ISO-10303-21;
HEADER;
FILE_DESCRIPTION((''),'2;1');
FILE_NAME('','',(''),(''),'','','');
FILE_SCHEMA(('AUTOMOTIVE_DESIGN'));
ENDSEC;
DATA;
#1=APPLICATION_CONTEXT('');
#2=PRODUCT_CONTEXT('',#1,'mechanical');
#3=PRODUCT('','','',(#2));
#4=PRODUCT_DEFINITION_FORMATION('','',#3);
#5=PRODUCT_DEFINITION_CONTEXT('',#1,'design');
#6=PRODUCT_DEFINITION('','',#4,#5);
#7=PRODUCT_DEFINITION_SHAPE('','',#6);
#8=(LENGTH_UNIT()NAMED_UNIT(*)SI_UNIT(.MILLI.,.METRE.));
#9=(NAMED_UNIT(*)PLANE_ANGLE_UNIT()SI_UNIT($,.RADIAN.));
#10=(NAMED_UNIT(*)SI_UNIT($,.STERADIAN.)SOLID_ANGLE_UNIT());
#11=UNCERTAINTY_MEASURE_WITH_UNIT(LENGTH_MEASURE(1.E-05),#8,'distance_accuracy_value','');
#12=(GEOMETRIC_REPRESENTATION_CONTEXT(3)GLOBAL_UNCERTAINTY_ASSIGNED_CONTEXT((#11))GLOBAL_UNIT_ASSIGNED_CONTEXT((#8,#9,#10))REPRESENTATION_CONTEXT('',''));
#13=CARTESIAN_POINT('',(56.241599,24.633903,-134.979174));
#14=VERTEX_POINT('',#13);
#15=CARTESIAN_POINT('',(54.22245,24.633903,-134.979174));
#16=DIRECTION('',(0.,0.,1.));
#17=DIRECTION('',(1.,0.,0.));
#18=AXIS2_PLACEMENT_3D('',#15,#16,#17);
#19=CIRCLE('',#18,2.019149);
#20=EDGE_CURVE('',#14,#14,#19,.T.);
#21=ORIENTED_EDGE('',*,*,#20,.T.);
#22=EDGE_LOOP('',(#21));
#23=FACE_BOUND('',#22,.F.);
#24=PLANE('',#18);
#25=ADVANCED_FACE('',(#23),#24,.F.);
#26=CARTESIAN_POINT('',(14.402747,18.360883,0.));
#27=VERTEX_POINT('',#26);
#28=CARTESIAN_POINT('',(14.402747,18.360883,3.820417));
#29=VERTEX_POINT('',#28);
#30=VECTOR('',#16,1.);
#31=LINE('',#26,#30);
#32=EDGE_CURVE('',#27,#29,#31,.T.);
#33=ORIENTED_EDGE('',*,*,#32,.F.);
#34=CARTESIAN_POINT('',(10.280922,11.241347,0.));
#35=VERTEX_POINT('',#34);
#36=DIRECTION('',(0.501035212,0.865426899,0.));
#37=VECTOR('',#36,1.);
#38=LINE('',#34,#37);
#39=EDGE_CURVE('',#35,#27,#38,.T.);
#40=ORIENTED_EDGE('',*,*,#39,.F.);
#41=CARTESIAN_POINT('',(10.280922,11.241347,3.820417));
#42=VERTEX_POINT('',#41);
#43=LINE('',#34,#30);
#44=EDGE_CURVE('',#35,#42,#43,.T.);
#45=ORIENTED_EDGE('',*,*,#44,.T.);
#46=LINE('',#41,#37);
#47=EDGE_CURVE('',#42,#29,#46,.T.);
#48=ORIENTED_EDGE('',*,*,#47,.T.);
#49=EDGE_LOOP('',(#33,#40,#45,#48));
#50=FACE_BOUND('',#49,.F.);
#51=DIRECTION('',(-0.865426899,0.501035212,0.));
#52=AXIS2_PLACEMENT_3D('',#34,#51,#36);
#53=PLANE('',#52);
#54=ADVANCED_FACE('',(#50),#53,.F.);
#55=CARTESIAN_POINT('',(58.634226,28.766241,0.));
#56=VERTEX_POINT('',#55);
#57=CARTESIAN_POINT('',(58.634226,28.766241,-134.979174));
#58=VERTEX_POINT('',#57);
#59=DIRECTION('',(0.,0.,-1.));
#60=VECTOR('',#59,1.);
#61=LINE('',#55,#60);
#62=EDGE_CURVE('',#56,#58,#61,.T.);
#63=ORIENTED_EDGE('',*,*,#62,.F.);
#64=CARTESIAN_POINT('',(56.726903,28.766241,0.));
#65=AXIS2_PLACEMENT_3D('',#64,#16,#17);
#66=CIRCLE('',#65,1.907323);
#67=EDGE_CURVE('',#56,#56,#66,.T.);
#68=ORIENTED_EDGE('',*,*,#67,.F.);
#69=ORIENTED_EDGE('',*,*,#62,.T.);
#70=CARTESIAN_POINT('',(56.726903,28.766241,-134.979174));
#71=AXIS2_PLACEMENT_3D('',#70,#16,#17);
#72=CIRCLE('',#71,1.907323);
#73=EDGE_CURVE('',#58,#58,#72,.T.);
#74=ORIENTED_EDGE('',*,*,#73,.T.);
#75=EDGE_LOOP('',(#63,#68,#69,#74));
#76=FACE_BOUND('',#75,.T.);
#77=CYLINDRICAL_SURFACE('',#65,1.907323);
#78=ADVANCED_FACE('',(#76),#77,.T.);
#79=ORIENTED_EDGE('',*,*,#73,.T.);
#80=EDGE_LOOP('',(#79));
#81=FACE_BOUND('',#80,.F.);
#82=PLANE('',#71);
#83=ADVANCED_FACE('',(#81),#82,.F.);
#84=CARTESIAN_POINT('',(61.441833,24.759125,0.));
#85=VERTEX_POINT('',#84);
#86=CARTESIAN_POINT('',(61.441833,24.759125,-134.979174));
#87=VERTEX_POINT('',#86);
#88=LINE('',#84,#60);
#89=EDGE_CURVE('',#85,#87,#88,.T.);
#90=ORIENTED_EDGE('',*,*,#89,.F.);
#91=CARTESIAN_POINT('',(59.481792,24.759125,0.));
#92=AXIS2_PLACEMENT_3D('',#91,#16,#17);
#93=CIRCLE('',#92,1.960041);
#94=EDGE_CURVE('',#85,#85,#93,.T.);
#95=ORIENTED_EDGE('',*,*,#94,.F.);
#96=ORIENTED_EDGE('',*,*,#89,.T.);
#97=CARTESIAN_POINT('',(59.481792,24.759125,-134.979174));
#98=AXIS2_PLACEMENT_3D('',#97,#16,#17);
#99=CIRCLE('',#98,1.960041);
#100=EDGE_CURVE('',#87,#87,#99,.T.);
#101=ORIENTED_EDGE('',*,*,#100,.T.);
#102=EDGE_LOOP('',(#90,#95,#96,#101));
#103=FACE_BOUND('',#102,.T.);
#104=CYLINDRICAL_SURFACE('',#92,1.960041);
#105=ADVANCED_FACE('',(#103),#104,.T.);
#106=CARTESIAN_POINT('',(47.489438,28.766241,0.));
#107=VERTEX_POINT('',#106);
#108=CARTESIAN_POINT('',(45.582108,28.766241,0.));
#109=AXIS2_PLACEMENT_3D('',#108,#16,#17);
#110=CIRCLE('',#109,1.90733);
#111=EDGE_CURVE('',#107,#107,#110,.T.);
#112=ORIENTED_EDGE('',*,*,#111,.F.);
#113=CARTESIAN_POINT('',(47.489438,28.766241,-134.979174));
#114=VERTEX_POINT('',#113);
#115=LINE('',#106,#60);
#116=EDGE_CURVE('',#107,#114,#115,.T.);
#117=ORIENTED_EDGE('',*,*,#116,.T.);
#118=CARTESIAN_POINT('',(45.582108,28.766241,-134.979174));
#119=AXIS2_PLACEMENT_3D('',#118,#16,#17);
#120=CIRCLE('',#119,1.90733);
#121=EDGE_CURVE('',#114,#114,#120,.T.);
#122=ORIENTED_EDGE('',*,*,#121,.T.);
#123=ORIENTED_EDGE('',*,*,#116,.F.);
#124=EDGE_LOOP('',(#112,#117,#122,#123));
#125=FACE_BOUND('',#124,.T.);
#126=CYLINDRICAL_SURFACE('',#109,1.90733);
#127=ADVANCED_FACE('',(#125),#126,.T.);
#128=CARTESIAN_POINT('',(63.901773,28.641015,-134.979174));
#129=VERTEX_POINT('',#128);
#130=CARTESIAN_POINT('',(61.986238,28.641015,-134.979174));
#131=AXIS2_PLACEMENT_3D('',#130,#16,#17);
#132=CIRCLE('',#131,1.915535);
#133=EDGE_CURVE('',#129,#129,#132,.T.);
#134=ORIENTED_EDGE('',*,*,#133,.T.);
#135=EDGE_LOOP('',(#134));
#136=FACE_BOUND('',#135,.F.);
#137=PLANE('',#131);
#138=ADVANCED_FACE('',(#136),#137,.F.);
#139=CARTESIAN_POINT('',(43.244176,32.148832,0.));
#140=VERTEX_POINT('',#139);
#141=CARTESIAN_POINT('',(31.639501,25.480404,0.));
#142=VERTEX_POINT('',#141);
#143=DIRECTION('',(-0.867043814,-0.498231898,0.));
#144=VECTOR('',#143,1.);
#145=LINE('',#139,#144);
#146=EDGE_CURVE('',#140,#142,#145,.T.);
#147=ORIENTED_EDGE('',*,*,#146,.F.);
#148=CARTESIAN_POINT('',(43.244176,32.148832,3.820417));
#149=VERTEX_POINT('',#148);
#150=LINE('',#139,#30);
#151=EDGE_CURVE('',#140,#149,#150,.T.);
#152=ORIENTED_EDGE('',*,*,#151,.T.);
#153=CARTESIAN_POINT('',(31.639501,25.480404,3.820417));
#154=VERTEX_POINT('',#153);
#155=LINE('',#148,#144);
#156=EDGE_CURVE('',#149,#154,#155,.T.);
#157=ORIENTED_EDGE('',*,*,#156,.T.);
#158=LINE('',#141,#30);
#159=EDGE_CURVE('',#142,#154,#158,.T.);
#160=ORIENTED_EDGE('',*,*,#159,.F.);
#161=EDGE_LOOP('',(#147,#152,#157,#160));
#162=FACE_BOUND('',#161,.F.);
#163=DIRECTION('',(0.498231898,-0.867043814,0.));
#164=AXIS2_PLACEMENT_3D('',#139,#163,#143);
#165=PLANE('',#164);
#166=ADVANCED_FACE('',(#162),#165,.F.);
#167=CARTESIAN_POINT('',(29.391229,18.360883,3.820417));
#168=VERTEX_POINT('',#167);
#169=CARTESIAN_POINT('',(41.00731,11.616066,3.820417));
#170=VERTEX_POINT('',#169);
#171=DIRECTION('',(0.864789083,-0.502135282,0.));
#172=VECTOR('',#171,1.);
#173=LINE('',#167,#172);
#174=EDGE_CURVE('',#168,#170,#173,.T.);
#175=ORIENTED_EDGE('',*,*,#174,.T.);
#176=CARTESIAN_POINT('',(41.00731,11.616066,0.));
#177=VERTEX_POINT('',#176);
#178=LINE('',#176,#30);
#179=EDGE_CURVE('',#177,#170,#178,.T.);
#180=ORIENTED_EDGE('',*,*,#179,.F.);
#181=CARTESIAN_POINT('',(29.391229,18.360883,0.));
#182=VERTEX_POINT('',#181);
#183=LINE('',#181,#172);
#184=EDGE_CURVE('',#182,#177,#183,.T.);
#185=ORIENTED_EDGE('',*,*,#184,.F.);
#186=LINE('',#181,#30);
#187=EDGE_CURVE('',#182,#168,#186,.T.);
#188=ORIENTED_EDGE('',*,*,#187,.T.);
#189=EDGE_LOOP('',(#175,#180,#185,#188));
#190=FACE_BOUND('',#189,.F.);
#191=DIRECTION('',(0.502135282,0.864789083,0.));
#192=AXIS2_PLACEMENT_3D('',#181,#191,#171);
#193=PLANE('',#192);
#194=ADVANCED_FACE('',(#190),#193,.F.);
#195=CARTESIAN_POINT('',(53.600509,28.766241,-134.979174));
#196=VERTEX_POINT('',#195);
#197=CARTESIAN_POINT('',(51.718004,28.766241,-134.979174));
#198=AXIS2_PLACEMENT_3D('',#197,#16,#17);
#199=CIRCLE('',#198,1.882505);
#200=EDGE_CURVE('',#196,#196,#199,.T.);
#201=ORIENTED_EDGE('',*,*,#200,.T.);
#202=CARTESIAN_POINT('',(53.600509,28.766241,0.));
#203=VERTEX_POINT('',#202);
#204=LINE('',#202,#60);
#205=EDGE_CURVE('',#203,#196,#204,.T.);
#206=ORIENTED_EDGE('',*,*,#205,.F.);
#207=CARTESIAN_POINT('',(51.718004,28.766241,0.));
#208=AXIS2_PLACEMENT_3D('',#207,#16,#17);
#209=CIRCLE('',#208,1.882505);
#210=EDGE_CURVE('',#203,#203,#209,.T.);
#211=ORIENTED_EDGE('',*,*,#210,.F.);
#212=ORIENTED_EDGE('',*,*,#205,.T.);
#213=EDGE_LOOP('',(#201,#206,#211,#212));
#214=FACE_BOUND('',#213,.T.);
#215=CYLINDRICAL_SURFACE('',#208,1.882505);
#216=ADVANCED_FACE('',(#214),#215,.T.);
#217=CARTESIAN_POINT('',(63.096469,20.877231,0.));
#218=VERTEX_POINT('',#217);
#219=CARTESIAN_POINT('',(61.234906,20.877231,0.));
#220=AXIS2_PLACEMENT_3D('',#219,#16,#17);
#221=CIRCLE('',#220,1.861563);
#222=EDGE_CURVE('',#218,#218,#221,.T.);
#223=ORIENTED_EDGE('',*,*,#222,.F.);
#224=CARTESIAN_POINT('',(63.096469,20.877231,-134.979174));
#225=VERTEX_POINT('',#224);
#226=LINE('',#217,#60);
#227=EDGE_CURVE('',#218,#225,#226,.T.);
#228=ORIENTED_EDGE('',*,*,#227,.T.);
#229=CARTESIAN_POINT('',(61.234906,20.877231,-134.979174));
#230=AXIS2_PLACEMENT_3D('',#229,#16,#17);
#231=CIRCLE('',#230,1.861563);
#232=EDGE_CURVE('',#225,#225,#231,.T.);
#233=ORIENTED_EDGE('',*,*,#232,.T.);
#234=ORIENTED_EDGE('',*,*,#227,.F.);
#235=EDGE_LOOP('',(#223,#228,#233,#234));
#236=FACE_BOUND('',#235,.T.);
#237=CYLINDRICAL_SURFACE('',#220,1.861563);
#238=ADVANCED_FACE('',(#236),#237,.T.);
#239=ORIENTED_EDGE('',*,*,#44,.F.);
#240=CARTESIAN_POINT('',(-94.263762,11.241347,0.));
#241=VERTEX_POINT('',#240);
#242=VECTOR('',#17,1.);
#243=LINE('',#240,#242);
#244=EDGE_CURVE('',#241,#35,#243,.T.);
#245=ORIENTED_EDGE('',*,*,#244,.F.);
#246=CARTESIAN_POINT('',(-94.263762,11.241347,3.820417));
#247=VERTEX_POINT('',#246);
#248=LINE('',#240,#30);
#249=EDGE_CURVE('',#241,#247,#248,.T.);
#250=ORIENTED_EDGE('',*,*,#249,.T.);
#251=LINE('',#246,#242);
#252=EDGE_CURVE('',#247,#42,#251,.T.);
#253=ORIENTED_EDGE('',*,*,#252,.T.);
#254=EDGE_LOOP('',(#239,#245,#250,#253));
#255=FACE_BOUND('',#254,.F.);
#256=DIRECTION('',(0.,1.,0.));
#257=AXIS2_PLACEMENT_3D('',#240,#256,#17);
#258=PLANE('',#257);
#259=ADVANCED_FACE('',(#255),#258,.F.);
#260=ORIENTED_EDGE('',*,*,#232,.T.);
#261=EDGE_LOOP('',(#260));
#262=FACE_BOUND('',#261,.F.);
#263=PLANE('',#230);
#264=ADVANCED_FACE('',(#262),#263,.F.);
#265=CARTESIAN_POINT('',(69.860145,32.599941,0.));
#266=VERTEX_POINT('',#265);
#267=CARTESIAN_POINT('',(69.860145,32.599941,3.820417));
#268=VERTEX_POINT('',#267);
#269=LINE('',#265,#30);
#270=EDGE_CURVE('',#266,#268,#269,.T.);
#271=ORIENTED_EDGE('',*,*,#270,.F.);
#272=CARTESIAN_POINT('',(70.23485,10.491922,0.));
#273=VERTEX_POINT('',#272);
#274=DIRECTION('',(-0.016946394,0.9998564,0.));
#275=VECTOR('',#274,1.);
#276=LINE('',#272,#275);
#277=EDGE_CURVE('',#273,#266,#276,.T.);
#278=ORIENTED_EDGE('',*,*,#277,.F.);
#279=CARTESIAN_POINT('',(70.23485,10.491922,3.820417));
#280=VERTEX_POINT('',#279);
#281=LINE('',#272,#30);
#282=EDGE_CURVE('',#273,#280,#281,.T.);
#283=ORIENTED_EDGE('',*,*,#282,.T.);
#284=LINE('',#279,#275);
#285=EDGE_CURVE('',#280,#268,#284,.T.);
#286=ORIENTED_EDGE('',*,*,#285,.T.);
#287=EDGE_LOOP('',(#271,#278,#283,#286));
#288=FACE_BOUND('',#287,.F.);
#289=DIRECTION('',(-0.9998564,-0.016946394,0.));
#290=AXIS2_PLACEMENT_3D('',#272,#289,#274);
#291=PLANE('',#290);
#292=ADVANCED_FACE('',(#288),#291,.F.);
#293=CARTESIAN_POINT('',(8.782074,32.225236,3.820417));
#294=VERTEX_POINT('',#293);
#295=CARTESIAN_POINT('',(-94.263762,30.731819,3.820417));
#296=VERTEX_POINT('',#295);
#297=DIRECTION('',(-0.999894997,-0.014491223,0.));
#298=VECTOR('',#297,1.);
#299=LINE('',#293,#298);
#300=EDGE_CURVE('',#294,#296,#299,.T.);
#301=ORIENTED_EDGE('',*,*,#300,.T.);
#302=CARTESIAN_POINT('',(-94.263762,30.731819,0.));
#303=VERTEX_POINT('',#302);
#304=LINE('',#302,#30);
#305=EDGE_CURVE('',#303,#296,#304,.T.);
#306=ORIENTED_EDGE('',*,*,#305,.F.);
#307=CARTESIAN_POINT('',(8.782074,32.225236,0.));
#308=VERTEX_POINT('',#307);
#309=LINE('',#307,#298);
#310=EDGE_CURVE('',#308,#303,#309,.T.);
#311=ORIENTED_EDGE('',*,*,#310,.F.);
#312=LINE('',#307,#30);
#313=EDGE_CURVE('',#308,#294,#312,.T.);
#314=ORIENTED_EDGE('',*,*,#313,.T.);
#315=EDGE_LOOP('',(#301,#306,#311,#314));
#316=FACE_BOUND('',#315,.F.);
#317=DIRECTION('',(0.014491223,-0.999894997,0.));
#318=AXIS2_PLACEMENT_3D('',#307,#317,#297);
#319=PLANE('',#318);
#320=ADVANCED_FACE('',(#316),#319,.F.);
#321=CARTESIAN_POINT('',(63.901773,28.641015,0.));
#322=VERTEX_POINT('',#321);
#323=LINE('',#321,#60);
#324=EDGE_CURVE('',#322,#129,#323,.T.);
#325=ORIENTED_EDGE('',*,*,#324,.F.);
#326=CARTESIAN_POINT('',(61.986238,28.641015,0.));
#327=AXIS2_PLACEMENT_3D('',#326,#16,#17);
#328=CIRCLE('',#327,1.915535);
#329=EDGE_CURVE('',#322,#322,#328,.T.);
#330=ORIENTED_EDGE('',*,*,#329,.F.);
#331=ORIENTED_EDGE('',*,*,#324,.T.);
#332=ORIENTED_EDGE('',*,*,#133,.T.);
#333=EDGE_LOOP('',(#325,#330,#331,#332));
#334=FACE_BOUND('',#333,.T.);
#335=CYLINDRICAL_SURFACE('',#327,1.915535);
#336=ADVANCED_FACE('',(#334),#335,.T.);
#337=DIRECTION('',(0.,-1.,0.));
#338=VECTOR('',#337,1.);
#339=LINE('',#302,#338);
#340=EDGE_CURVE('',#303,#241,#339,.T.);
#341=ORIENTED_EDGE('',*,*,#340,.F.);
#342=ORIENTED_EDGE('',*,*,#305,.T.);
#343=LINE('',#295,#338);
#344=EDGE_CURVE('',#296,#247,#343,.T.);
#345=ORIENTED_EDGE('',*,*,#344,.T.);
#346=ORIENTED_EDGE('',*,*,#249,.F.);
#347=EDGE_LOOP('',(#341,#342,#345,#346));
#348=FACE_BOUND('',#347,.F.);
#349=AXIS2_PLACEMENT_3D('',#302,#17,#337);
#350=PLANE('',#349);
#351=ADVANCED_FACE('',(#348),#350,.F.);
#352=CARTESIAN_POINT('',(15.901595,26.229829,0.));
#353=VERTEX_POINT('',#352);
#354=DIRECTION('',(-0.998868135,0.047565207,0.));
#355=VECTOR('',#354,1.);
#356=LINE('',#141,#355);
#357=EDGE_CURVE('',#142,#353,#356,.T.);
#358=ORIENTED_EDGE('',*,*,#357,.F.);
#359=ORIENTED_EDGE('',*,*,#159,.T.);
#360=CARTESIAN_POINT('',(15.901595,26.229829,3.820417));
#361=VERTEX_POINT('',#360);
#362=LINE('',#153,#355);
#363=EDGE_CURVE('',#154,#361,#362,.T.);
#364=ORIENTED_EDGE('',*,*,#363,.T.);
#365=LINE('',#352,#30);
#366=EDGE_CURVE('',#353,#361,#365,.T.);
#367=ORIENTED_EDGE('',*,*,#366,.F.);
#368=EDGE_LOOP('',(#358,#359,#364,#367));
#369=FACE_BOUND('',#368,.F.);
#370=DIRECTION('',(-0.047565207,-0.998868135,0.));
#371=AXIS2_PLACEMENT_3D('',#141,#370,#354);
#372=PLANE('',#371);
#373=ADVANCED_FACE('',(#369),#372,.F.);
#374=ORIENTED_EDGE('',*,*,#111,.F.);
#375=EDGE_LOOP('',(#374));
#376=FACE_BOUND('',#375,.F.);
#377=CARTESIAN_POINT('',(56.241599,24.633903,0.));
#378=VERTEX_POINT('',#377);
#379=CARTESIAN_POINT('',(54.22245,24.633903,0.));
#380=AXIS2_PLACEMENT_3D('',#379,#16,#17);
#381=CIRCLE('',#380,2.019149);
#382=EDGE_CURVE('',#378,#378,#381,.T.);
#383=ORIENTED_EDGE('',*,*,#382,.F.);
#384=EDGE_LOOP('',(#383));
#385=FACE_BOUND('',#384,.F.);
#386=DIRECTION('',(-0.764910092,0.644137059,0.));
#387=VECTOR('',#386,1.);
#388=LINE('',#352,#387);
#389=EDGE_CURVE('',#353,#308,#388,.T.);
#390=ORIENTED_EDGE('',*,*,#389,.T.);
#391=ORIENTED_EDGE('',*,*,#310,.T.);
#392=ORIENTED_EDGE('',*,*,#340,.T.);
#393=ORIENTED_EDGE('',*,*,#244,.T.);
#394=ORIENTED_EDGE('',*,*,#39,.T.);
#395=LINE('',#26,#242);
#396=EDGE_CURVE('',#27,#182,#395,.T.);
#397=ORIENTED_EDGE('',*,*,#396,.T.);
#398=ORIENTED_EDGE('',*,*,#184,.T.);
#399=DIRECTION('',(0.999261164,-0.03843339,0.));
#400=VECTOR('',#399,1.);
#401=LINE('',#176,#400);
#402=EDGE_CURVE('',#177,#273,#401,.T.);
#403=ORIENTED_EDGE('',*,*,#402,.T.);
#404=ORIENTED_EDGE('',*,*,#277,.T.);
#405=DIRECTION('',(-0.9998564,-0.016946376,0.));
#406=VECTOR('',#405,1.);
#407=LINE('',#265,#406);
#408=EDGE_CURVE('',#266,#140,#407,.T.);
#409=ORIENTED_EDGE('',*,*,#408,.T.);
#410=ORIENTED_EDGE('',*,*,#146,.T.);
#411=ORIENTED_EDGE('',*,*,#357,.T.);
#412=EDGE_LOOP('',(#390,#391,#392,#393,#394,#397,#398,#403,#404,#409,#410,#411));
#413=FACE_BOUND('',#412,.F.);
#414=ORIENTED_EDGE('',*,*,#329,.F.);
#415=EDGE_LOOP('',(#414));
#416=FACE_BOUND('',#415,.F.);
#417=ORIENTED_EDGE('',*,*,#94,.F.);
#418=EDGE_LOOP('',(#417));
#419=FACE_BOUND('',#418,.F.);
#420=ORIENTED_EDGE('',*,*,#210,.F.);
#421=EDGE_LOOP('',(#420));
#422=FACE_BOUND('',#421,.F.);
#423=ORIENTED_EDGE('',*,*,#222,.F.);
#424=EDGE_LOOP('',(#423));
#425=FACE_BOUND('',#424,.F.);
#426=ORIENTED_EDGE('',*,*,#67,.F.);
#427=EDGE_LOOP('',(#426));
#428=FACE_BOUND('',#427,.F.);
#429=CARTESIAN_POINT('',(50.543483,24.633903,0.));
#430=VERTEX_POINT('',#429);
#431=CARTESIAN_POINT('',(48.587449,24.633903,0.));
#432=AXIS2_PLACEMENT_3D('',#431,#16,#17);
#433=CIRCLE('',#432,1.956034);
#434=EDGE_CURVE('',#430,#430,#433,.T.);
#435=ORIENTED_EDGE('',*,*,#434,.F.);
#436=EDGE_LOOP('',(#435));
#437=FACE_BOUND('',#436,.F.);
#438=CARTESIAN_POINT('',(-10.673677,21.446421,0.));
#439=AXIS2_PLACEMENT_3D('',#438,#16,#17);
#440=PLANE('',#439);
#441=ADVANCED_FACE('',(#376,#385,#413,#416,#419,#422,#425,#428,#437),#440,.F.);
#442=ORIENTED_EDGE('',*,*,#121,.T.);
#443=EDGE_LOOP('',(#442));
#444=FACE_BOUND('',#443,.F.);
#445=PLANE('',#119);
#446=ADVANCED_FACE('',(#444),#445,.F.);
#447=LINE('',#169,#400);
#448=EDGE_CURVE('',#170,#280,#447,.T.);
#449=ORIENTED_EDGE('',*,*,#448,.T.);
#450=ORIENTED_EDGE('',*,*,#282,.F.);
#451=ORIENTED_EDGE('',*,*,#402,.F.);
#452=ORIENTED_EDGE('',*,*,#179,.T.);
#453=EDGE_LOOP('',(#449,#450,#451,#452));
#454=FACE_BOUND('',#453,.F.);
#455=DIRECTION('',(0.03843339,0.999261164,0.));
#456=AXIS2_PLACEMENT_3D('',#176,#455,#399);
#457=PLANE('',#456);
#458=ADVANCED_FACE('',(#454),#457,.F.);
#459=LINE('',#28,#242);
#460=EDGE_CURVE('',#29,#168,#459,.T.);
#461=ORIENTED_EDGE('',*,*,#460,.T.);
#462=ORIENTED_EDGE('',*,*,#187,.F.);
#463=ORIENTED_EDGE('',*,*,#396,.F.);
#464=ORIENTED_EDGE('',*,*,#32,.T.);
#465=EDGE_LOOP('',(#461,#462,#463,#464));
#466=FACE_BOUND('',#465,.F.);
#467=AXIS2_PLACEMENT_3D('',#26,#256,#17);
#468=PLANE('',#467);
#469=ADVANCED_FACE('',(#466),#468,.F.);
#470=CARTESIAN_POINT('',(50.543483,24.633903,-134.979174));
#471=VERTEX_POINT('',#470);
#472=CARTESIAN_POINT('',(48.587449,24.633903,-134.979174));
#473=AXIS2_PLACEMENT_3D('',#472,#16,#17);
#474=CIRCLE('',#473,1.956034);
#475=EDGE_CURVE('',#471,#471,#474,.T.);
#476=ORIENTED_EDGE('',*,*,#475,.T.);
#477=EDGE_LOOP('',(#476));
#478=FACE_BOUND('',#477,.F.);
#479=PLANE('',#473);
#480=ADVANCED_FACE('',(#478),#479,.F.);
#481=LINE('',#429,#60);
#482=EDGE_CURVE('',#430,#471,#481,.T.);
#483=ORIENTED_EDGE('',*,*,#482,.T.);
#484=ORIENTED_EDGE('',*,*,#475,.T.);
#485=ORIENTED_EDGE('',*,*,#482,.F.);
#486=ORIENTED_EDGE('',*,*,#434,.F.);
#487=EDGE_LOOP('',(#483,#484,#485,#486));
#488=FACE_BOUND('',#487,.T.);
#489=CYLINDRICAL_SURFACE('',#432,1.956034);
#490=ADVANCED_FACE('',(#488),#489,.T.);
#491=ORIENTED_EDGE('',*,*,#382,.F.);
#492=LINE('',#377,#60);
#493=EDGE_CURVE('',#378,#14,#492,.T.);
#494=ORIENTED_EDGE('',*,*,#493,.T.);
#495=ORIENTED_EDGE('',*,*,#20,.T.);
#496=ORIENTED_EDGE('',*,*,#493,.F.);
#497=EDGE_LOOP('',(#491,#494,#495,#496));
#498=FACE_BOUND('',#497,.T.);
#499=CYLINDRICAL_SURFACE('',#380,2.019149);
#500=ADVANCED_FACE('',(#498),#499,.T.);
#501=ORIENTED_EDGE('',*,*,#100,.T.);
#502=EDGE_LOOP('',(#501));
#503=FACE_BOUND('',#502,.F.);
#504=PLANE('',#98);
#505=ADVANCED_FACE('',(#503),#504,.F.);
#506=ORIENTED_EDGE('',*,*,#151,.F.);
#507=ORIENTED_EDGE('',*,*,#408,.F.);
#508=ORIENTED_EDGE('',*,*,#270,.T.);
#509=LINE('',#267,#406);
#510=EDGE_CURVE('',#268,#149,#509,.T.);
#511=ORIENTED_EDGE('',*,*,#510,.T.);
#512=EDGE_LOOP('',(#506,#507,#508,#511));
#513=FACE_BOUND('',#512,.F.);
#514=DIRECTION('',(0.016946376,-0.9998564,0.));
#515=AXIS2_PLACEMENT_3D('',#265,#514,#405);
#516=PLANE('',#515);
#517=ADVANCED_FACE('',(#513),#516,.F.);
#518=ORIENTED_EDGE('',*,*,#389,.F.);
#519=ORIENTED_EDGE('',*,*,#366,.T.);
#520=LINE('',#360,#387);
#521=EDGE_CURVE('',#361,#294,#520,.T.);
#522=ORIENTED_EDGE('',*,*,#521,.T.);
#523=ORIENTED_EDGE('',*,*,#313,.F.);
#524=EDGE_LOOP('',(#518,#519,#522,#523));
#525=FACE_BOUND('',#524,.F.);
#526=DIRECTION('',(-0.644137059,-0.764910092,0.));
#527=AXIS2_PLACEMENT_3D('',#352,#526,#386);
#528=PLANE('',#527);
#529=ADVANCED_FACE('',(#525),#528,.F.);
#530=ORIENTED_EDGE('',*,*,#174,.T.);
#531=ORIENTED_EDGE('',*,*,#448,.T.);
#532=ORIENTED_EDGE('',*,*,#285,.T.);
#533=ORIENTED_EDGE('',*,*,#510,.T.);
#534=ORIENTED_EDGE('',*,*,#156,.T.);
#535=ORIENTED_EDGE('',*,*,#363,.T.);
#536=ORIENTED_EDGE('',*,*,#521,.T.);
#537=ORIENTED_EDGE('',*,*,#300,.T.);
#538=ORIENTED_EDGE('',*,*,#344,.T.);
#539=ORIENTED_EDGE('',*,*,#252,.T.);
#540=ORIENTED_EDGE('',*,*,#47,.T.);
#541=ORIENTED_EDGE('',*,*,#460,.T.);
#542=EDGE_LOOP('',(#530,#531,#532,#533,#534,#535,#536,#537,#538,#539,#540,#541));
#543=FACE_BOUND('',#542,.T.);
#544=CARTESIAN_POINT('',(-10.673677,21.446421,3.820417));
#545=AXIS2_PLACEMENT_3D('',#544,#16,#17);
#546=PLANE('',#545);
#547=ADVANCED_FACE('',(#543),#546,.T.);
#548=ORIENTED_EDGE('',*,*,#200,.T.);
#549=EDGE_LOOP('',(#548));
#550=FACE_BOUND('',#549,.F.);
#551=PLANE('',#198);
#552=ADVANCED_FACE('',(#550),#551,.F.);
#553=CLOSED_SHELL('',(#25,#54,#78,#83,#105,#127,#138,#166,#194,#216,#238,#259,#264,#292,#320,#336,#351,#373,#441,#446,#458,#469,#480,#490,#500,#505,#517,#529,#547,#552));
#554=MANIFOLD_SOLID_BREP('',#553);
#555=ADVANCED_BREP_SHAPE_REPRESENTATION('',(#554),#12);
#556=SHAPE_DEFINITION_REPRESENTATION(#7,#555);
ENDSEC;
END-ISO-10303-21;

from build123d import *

# Parameters (mm, degrees)
F1_DEPTH = 3.820417
F2_R     = 1.90733
F2_R_2   = 1.882505
F2_R_3   = 1.907323
F2_R_4   = 1.915535
F2_R_5   = 1.861563
F2_R_6   = 1.960041
F2_R_7   = 2.019149
F2_R_8   = 1.956034
F3_DEPTH = 134.979174


with BuildPart() as f1:
    # F0 (on Top) → F1 (new body)
    with BuildSketch(Plane.XY):
        Polygon((8.782074, 32.225236), (-94.263762, 30.731819), (-94.263762, 11.241347), (10.280922, 11.241347), (14.402747, 18.360883), (29.391229, 18.360883), (41.00731, 11.616066), (70.23485, 10.491922), (69.860145, 32.599941), (43.244176, 32.148832), (31.639501, 25.480404), (15.901595, 26.229829), align=None)
    extrude(amount=F1_DEPTH)

    # F2 (on Top) → F3 (join)
    with BuildSketch(Plane.XY):
        with Locations((45.582108, 28.766241)):
            Circle(F2_R)
        with Locations((51.718004, 28.766241)):
            Circle(F2_R_2)
        with Locations((56.726903, 28.766241)):
            Circle(F2_R_3)
        with Locations((61.986238, 28.641015)):
            Circle(F2_R_4)
        with Locations((61.234906, 20.877231)):
            Circle(F2_R_5)
        with Locations((59.481792, 24.759125)):
            Circle(F2_R_6)
        with Locations((54.22245, 24.633903)):
            Circle(F2_R_7)
        with Locations((48.587449, 24.633903)):
            Circle(F2_R_8)
    extrude(amount=-F3_DEPTH)


solid = f1.part
